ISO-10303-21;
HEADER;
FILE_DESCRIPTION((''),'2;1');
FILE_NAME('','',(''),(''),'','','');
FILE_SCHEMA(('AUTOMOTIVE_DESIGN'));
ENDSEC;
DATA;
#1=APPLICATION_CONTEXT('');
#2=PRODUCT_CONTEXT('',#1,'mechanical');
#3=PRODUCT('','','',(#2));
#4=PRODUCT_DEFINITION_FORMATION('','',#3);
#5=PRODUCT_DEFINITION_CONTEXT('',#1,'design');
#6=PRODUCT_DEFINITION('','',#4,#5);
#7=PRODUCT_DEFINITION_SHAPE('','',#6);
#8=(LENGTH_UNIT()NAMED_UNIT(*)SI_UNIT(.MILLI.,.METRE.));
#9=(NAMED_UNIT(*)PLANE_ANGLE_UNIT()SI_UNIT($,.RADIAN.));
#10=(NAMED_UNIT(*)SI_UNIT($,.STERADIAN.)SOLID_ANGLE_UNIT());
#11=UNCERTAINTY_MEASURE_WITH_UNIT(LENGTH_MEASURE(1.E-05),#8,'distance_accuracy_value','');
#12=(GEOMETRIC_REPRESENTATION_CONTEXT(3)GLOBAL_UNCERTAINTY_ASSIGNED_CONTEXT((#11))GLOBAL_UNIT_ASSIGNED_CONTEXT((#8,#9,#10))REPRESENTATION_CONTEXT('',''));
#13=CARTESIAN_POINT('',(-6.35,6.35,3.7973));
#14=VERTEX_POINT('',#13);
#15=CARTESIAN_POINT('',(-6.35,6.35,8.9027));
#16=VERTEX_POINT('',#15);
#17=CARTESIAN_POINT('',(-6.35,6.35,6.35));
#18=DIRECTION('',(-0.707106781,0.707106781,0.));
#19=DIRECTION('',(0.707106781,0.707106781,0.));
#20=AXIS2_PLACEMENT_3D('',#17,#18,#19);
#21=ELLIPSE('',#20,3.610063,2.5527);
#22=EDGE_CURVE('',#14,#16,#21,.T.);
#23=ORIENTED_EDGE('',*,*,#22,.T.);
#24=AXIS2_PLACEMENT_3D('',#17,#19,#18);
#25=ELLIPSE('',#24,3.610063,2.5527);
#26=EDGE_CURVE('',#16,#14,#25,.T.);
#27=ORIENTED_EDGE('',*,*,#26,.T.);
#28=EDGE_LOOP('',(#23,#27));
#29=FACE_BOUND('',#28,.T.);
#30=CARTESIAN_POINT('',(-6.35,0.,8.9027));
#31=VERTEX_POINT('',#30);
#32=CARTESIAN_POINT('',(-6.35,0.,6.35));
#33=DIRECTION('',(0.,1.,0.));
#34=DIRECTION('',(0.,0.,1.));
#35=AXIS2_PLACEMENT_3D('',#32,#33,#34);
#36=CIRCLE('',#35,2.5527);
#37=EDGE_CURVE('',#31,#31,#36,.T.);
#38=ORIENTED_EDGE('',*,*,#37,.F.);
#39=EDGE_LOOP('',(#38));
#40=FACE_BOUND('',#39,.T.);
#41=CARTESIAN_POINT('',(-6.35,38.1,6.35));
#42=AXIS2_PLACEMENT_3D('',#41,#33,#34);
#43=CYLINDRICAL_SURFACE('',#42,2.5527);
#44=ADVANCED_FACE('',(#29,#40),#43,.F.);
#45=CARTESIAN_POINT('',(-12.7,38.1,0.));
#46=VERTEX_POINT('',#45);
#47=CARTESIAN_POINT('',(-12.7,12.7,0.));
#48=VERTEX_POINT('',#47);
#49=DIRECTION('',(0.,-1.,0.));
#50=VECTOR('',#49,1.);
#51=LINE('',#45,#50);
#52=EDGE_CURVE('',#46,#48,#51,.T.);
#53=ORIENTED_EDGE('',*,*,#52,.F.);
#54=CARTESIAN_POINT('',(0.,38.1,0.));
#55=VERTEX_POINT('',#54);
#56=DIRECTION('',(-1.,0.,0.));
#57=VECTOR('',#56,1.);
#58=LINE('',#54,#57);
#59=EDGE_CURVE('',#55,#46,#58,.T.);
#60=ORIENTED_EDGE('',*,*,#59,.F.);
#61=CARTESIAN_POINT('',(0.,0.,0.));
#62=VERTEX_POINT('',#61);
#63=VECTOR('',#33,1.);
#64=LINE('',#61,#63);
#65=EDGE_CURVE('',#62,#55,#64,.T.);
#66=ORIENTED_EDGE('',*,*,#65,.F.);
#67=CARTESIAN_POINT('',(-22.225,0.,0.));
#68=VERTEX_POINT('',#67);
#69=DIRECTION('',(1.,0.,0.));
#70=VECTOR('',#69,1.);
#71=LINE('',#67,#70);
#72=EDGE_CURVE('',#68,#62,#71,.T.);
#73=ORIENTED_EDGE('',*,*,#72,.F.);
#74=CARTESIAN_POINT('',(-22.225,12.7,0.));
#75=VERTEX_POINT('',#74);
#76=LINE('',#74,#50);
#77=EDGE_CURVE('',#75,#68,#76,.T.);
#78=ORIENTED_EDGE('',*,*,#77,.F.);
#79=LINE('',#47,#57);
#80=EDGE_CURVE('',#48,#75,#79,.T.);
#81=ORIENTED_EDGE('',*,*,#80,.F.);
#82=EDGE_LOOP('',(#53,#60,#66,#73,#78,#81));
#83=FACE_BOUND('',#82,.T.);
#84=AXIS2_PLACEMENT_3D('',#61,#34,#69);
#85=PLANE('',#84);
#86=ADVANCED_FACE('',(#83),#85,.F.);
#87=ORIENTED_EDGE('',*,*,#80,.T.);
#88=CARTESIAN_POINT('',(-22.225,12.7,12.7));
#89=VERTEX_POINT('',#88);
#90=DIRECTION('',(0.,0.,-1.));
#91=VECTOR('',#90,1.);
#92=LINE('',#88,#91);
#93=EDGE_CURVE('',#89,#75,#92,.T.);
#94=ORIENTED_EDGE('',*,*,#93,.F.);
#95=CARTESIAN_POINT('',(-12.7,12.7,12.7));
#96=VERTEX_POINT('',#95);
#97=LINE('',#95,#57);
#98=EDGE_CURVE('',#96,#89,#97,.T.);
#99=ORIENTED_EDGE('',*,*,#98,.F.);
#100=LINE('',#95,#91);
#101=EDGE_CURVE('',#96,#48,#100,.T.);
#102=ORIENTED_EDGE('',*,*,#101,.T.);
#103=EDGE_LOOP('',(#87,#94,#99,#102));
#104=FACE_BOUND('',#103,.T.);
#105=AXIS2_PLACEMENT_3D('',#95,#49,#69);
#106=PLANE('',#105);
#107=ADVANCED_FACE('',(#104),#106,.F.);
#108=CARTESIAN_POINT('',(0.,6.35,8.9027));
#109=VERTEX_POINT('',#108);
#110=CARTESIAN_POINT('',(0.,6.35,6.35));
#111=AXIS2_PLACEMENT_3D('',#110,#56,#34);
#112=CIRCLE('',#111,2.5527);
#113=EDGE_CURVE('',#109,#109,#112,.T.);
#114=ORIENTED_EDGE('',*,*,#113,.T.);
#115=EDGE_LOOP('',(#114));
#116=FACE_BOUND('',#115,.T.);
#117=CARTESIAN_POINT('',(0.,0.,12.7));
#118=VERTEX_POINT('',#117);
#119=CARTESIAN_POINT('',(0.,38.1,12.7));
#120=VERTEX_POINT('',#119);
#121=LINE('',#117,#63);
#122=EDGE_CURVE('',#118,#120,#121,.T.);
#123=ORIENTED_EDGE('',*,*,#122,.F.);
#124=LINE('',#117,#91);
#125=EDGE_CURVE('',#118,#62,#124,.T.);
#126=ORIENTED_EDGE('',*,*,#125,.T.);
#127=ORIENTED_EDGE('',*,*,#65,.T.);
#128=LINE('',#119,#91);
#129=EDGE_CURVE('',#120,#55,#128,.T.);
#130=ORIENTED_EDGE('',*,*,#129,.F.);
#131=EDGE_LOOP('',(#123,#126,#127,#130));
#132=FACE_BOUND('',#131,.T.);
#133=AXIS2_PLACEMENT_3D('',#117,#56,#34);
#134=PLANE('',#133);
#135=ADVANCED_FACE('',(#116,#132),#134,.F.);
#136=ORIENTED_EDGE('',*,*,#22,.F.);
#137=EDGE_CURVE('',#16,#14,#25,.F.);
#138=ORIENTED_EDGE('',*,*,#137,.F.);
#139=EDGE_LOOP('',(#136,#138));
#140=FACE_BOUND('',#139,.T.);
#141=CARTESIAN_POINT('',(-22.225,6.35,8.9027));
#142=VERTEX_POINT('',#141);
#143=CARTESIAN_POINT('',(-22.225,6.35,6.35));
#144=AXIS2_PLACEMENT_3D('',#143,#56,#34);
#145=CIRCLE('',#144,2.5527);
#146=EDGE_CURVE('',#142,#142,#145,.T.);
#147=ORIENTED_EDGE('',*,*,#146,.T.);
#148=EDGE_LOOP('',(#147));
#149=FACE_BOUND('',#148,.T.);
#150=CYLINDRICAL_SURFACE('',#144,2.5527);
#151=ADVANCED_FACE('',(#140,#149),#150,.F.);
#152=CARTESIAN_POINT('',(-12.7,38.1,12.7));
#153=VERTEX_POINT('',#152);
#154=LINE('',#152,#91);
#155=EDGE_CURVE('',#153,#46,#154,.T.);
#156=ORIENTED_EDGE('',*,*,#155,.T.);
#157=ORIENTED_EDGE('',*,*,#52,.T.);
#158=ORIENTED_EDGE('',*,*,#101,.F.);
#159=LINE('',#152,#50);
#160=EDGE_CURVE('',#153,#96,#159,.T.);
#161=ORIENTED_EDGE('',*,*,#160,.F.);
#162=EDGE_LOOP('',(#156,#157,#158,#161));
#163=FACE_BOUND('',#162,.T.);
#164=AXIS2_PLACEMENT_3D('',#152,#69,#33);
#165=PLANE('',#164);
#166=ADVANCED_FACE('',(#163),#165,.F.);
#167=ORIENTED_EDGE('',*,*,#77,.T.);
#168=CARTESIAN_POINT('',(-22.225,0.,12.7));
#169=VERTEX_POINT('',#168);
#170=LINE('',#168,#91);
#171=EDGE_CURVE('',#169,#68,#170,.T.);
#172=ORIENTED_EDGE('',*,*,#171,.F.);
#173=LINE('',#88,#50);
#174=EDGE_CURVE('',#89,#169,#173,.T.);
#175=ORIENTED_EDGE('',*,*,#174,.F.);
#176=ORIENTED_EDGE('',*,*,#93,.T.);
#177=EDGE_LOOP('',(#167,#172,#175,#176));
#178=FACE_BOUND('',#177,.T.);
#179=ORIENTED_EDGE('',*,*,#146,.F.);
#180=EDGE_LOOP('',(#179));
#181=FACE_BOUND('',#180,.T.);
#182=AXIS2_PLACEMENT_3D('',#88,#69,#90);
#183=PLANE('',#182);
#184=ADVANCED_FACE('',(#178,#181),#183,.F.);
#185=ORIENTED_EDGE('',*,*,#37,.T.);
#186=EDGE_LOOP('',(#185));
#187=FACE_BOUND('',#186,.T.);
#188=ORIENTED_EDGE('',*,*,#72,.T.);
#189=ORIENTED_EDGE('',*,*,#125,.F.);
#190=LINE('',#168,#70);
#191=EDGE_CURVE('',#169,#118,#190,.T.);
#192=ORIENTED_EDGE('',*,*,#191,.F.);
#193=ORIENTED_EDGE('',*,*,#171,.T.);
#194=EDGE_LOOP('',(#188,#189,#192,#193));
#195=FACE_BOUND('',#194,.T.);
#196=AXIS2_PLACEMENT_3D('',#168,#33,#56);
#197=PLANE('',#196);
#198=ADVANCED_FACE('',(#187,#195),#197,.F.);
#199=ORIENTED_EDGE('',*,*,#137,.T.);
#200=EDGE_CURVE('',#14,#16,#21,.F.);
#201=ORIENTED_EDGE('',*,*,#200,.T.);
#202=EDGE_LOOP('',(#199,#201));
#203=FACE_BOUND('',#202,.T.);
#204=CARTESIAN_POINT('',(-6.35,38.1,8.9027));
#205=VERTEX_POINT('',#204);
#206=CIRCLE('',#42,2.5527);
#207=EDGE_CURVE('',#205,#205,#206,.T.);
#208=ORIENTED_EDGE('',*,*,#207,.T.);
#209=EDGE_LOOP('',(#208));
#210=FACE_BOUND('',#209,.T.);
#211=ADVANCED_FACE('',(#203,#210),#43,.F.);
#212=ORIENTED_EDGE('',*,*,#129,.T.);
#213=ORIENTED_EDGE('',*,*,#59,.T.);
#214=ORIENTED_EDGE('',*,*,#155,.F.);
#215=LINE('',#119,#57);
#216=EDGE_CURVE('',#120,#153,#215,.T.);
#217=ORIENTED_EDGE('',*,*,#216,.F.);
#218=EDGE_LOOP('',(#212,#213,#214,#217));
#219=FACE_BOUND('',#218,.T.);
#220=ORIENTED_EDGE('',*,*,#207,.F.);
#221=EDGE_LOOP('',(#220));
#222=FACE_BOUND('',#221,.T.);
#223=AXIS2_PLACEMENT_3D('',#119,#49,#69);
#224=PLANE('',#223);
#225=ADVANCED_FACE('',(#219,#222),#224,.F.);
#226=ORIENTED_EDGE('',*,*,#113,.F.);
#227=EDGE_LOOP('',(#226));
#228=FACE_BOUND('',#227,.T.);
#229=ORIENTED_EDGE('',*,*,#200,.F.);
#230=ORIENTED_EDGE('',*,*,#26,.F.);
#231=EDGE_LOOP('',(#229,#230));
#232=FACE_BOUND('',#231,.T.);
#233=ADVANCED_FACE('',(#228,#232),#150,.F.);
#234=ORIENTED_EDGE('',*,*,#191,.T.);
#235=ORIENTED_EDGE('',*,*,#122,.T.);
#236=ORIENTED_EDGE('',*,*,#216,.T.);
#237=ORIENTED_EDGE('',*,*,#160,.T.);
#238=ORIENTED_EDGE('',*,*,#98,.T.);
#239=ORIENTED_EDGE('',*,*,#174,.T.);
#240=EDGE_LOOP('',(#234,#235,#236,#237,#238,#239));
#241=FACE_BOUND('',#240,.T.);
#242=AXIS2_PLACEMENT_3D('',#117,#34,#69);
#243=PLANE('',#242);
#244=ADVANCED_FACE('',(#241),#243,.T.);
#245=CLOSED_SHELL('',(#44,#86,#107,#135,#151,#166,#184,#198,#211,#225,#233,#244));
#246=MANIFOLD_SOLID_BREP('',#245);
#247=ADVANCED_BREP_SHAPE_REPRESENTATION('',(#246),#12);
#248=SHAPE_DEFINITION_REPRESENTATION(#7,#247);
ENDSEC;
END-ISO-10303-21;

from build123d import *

# Parameters (mm, degrees)
BOSS_EXTRUDE1_DEPTH     = 12.7
F_1_4_20_TAPPED_HOLE1_D = 5.1054
F_1_4_20_TAPPED_HOLE2_D = 5.1054


with BuildPart() as part:
    # Sketch1 → Boss-Extrude1 (new body)
    with BuildSketch(Plane.XY):
        Polygon((0, 0), (0, 38.1), (-12.7, 38.1), (-12.7, 12.7), (-22.225, 12.7), (-22.225, 0), align=None)
    extrude(amount=BOSS_EXTRUDE1_DEPTH)

    # 1/4-20 Tapped Hole1 (through all)
    with Locations(Plane(origin=(0, 38.1, 0), x_dir=(1, 0, 0), z_dir=(0, 1, 0))):
        with Locations((-6.35, -6.35)):
            Hole(F_1_4_20_TAPPED_HOLE1_D / 2)

    # 1/4-20 Tapped Hole2 (through all)
    with Locations(Plane.ZY.offset(22.225)):
        with Locations((6.35, 6.35)):
            Hole(F_1_4_20_TAPPED_HOLE2_D / 2)


solid = part.part
